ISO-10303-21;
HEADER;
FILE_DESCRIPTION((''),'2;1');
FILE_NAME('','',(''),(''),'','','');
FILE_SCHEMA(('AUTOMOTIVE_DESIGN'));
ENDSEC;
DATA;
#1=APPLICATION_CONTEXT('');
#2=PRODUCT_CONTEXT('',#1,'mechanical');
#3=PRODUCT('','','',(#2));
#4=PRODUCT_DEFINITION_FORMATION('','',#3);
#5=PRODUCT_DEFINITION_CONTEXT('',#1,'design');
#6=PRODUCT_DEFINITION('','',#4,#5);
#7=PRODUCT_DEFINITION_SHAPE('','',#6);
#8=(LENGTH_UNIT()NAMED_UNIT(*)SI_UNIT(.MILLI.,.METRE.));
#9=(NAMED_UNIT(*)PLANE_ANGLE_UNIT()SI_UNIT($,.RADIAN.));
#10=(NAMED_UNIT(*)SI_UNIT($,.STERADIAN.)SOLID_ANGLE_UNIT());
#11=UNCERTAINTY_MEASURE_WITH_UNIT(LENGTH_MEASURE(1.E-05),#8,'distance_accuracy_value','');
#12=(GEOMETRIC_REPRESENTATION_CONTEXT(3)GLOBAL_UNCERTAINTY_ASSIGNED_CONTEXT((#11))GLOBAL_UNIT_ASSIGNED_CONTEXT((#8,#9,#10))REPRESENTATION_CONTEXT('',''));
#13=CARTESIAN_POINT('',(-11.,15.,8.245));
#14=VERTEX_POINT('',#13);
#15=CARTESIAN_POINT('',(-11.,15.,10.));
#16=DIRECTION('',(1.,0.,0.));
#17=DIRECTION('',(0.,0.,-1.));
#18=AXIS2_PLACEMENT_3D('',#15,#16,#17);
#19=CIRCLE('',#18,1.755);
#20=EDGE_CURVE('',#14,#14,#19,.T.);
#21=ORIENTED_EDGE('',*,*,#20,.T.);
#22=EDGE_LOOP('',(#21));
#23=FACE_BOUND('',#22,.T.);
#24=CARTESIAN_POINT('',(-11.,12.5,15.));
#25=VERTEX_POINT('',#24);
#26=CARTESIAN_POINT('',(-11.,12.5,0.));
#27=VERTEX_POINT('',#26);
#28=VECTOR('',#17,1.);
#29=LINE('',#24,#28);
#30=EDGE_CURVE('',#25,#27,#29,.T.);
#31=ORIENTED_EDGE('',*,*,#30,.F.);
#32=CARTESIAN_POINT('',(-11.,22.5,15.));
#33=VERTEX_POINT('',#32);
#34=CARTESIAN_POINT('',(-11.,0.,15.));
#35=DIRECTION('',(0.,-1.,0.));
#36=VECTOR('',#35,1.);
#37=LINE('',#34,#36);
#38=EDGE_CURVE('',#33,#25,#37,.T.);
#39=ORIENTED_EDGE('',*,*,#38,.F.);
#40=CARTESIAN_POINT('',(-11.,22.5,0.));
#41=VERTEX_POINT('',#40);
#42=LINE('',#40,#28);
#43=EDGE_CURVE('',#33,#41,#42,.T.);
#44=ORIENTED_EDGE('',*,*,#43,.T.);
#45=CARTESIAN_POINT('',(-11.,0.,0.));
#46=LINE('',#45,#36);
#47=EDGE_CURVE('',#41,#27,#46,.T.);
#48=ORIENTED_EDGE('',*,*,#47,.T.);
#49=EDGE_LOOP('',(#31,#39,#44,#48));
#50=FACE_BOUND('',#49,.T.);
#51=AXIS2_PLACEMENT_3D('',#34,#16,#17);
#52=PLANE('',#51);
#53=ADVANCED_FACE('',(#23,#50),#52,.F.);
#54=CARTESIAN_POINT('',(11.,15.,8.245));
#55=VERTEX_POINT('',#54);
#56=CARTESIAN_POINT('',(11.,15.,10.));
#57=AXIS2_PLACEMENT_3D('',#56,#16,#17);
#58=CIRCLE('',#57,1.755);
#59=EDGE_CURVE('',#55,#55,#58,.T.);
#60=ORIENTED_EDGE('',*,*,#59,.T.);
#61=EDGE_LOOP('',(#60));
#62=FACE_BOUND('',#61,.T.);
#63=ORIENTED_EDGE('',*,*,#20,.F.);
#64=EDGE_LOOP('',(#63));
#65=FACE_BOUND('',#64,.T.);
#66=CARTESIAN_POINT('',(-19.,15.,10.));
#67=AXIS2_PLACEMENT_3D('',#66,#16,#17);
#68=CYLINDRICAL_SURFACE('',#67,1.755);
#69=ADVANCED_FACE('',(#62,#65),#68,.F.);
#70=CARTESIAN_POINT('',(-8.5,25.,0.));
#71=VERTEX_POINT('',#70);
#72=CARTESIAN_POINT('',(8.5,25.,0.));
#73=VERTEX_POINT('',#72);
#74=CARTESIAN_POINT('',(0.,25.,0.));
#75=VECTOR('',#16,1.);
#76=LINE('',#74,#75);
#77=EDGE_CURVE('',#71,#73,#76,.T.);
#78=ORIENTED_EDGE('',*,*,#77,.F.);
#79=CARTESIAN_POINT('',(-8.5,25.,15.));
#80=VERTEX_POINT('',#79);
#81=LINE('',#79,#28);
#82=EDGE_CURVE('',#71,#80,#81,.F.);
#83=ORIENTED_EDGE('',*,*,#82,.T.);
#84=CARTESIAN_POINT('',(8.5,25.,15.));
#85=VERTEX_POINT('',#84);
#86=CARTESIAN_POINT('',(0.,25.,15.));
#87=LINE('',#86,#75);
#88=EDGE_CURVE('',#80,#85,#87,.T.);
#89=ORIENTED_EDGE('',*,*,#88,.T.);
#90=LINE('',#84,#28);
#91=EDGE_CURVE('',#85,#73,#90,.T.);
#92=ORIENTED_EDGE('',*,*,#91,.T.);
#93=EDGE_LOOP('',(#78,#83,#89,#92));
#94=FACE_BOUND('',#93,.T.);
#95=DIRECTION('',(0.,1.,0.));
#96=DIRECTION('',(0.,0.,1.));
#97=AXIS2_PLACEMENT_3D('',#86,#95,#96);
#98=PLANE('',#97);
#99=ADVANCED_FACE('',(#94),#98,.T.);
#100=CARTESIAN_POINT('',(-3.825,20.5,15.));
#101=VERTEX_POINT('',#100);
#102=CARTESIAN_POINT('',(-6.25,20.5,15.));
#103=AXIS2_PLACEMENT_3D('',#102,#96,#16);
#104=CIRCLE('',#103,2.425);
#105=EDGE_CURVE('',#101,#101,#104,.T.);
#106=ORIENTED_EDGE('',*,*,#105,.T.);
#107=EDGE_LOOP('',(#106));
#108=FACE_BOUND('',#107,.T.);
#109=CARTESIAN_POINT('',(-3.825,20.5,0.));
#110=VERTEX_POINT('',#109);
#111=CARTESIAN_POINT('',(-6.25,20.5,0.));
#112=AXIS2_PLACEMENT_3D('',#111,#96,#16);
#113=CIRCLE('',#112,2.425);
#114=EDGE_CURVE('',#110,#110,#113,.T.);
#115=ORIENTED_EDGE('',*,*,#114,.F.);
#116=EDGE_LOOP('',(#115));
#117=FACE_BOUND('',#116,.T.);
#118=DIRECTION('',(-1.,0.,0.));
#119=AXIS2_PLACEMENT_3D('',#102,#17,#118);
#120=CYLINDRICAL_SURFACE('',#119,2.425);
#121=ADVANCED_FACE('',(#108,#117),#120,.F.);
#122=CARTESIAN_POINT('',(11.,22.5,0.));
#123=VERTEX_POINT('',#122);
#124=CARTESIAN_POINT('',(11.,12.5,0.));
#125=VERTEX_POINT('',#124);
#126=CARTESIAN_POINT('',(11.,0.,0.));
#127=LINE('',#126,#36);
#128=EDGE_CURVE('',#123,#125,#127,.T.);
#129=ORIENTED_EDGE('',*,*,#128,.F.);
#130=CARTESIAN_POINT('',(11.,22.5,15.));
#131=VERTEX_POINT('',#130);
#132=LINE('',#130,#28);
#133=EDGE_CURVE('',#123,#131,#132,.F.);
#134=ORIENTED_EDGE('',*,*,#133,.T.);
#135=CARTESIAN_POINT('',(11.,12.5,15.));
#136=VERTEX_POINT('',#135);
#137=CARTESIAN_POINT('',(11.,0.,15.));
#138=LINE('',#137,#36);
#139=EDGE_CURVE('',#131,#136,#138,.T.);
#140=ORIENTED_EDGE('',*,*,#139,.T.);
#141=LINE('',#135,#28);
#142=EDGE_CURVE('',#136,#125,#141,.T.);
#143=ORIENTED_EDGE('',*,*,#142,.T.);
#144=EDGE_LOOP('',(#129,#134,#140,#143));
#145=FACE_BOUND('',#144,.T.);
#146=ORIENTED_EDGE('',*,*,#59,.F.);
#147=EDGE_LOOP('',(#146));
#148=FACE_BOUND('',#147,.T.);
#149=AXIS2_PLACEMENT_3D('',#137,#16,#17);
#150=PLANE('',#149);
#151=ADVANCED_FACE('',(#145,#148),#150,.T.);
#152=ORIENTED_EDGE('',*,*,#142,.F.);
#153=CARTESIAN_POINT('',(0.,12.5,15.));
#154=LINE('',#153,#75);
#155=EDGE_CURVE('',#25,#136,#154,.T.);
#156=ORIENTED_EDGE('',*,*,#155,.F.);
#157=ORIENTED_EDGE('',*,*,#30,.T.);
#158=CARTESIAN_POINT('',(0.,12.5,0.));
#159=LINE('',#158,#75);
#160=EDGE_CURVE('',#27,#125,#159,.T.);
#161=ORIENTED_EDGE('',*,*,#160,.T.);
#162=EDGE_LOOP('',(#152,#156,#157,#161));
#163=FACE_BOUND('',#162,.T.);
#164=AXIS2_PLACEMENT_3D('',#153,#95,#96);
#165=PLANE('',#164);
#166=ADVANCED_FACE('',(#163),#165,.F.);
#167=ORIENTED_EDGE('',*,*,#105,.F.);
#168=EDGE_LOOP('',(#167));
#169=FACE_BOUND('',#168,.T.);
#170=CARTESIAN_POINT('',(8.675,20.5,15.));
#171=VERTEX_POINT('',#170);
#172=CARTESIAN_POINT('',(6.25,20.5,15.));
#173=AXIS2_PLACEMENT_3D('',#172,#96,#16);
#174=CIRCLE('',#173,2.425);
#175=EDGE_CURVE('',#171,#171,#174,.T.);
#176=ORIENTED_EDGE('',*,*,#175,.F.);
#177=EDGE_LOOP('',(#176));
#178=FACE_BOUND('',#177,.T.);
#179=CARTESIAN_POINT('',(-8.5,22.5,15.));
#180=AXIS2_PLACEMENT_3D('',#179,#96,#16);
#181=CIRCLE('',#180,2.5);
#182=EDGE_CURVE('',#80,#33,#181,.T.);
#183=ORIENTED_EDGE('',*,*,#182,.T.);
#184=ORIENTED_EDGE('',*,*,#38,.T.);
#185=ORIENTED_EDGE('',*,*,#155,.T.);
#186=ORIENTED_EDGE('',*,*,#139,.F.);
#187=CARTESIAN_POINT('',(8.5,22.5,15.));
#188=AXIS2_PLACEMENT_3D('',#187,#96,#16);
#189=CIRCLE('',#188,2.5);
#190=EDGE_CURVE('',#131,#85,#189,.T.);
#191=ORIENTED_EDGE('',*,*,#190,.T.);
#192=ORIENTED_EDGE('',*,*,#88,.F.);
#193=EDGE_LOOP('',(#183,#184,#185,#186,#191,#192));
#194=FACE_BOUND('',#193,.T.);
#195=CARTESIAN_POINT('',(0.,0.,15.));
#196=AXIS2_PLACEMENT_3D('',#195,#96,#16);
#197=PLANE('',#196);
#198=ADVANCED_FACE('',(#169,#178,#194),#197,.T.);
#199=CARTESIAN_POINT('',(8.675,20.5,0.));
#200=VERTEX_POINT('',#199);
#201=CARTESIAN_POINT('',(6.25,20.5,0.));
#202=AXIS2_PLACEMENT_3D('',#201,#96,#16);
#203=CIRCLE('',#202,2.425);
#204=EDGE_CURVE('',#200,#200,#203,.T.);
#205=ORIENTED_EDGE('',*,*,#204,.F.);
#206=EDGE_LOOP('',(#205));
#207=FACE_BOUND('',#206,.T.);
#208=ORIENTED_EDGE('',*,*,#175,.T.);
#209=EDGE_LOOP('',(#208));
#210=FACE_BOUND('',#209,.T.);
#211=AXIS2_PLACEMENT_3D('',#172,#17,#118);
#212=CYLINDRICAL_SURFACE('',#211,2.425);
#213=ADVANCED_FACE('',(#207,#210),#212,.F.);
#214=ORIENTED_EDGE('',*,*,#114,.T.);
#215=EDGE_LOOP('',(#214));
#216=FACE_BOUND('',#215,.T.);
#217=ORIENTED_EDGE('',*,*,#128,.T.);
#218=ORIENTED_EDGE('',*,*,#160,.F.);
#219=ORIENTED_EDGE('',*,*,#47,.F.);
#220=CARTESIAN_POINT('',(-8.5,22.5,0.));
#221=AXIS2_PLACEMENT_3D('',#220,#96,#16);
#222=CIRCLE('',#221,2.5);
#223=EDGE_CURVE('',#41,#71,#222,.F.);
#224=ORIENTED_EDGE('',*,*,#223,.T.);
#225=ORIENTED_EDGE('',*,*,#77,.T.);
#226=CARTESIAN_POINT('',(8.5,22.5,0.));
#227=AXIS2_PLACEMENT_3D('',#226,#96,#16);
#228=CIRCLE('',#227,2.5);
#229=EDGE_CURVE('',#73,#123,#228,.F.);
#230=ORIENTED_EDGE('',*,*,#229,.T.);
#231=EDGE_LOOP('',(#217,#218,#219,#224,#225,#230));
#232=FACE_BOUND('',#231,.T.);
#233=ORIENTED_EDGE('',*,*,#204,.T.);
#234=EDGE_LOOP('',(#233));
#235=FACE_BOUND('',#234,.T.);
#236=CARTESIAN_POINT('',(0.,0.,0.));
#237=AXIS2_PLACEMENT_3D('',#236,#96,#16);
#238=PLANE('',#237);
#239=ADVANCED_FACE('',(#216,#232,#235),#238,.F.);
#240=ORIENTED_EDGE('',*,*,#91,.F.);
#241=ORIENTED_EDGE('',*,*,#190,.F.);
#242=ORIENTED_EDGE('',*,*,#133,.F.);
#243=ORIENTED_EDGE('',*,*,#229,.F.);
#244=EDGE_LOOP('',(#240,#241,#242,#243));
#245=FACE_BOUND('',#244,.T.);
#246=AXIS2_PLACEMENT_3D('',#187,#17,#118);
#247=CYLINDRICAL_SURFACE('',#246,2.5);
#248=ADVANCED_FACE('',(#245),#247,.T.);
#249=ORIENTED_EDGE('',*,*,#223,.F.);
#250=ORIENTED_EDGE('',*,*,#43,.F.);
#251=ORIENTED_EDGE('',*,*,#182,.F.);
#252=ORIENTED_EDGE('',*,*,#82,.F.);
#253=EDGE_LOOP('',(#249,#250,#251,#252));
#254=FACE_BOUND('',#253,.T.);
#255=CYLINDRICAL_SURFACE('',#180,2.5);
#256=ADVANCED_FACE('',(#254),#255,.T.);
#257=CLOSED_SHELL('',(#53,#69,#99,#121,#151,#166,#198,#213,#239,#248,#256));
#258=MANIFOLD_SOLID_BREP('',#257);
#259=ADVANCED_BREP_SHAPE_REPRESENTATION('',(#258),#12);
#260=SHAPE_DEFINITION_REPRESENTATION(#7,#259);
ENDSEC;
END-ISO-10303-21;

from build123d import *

# Parameters (mm, degrees)
SKETCH2_W           = 22
SKETCH2_H           = 12.5
SKETCH2_R           = 2.425
BOSS_EXTRUDE1_DEPTH = 15
SKETCH3_R           = 1.755
CUT_EXTRUDE1_DEPTH  = 30
FILLET1_R           = 2.5


with BuildPart() as part:
    # Sketch2 → Boss-Extrude1 (new body)
    with BuildSketch(Plane.XY):
        with Locations((0, 18.75)):
            Rectangle(SKETCH2_W, SKETCH2_H)
        with Locations((-6.25, 20.5)):
            Circle(SKETCH2_R, mode=Mode.SUBTRACT)
        with Locations((6.25, 20.5)):
            Circle(SKETCH2_R, mode=Mode.SUBTRACT)
    extrude(amount=BOSS_EXTRUDE1_DEPTH)

    # Sketch3 → Cut-Extrude1 (cut)
    with BuildSketch(Plane(origin=(11, 0, 0), x_dir=(0, 0, -1), z_dir=(1, 0, 0))):
        with Locations((-10, 15)):
            Circle(SKETCH3_R)
    extrude(amount=-CUT_EXTRUDE1_DEPTH, mode=Mode.SUBTRACT)

    # Fillet1
    fillet1_edges = [part.edges().sort_by_distance(p)[0] for p in [
        (-11, 25, 7.5),
        (11, 25, 7.5),
    ]]
    fillet(fillet1_edges, radius=FILLET1_R)


solid = part.part
